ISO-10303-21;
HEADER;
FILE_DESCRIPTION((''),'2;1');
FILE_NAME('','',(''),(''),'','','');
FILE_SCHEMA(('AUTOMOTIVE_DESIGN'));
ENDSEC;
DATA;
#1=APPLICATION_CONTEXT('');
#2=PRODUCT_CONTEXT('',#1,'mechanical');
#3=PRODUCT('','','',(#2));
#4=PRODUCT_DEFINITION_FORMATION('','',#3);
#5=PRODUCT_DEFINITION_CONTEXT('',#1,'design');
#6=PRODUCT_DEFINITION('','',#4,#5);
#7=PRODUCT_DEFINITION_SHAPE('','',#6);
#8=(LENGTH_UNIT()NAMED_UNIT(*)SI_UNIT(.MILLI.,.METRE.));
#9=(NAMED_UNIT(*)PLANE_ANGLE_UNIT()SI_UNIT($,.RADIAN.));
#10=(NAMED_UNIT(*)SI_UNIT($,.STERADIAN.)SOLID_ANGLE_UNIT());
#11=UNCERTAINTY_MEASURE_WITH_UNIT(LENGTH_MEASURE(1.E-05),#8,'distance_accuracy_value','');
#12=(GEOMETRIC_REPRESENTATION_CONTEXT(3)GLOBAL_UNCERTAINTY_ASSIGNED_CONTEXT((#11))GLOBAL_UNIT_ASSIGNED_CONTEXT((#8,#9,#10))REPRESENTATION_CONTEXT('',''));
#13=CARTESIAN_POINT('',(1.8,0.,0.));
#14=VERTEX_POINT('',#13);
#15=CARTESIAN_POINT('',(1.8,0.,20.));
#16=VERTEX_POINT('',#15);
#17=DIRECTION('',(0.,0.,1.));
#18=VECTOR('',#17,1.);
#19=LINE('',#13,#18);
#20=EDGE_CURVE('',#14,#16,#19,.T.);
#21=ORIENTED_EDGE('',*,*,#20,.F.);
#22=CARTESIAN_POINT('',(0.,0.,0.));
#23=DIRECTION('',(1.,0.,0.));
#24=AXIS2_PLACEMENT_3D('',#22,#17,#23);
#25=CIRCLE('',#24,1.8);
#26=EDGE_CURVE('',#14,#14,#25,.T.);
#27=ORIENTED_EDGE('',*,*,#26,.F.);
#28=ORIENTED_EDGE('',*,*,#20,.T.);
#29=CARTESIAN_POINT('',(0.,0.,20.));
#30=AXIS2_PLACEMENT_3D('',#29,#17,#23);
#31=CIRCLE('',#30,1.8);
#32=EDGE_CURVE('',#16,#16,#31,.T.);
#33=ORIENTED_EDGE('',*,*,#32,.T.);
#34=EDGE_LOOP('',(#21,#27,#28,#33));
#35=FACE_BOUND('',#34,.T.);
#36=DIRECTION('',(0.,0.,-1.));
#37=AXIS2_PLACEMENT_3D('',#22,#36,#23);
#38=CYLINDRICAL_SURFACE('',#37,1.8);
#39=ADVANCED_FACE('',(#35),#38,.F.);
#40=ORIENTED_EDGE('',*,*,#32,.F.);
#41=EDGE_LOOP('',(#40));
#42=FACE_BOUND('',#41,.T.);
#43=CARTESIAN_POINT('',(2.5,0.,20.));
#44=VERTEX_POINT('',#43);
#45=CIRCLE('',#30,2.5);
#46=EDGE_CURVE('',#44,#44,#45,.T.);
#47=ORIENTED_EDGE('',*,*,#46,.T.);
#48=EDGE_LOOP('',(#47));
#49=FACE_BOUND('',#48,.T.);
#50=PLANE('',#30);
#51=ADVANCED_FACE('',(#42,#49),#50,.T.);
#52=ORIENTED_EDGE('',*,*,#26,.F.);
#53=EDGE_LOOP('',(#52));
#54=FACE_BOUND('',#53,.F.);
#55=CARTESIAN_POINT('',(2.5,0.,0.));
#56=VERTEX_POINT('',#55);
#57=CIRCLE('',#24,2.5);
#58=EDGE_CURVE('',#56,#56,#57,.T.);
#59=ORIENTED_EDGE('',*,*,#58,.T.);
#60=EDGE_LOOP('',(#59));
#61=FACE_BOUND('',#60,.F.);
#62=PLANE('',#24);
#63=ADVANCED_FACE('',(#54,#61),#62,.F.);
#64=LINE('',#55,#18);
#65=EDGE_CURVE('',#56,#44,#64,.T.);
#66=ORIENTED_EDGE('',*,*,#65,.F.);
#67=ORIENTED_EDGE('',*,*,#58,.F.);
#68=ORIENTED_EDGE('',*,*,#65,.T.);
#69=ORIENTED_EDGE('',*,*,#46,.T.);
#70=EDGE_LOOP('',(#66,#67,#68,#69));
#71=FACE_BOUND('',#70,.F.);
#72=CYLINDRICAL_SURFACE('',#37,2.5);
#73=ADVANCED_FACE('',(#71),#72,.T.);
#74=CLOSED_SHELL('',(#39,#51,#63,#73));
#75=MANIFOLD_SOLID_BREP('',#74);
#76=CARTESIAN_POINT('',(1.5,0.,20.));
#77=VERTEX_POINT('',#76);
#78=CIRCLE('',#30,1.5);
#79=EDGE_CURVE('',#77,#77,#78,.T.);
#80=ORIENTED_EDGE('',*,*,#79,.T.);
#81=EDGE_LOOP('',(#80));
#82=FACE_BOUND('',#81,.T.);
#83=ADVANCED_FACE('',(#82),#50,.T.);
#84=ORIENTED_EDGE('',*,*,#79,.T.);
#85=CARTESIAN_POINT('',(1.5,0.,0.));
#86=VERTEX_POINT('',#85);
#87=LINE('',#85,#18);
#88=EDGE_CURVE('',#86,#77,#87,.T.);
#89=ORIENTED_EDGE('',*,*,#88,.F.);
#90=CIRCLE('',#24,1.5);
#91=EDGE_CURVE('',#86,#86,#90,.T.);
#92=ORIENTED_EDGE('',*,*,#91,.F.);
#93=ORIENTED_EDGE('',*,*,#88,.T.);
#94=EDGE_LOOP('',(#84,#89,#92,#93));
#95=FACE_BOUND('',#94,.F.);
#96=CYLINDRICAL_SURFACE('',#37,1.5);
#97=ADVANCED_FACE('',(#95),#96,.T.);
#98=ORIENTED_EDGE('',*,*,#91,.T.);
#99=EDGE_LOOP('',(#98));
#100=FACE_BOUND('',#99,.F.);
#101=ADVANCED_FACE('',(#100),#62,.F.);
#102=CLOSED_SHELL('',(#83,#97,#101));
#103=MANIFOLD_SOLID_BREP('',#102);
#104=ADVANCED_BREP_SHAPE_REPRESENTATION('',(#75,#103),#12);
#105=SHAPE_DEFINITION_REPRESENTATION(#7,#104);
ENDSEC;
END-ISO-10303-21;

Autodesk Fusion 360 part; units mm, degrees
sketch "Sketch1" plane through (0, 0, 0) normal (0, 0, 1) x (1, 0, 0)
  circle A0 centre (0, 0) radius 2.5
  circle A1 centre (0, 0) radius 1.8
  circle A2 centre (0, 0) radius 1.5
  dimension "d1" = 5
  dimension "d2" = 3.6
  dimension "d3" = 3
extrude "Extrude1" add sketch "Sketch1" along normal blind 20 makes body 1 at (2.4969, -0.1246, 13.3333) makes body 2 at (1.4981, -0.0748, 13.3333)
